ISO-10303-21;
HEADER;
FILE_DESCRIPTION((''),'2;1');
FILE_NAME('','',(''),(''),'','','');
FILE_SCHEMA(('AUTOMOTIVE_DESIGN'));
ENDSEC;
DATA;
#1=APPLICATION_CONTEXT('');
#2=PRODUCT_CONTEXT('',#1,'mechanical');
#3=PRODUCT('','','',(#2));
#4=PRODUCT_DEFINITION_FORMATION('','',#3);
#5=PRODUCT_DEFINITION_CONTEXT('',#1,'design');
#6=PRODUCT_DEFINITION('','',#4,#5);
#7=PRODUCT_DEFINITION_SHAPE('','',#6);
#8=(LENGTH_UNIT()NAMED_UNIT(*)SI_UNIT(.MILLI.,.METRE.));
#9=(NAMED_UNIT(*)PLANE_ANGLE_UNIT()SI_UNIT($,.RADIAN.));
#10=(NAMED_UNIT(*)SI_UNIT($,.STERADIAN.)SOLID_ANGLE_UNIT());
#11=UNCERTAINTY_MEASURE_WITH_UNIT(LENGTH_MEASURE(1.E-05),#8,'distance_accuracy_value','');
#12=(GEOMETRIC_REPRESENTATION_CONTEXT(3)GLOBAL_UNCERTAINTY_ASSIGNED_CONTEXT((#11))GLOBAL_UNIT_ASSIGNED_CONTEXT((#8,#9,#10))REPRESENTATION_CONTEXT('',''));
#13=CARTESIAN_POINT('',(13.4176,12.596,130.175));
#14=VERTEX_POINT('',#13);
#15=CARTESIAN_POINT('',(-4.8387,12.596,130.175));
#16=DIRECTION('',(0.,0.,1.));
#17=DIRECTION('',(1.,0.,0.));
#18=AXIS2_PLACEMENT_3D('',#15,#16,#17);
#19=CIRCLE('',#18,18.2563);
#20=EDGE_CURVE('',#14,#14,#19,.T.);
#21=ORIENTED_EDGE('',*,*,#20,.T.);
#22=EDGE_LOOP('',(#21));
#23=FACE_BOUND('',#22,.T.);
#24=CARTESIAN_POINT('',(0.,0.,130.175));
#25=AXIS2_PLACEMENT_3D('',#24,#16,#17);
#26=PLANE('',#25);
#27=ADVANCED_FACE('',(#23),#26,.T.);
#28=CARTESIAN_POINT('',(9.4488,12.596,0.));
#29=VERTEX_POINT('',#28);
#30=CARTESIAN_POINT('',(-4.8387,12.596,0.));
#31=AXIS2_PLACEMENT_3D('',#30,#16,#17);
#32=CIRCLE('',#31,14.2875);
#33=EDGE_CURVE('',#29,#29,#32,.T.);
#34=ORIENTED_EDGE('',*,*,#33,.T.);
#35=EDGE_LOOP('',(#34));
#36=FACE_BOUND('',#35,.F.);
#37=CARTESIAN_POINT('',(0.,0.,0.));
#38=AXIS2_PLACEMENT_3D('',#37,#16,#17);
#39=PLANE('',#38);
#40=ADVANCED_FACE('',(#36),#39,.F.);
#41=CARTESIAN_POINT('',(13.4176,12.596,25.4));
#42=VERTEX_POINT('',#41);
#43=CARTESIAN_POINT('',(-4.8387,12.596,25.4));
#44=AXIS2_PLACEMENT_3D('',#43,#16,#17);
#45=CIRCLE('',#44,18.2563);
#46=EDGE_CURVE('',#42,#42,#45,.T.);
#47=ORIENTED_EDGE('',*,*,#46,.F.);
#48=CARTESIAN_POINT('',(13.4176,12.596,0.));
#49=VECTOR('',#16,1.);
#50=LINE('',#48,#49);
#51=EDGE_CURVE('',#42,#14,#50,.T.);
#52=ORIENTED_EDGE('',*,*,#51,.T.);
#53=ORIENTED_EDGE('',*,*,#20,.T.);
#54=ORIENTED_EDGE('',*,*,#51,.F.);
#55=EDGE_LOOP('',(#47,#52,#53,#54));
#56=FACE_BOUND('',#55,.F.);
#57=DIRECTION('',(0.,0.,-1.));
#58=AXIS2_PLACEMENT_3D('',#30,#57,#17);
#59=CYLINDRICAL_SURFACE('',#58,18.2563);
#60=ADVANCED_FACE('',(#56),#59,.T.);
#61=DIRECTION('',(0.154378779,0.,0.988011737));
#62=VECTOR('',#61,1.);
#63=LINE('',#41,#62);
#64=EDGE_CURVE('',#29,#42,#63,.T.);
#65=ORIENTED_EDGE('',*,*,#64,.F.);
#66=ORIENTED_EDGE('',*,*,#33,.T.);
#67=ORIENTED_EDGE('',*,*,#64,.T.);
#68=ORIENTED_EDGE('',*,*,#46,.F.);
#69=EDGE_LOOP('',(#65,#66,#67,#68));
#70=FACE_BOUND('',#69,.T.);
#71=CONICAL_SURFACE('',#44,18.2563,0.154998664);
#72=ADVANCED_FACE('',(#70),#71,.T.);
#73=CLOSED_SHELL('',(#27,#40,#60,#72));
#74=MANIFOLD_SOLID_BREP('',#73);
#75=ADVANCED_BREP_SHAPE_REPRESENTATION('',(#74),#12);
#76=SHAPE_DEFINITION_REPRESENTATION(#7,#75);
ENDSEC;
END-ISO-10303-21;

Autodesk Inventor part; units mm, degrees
ref_plane "YZ Plane" through (0, 0, 0) normal (1, 0, 0) x (0, 1, 0)
ref_plane "XZ Plane" through (0, 0, 0) normal (0, 1, 0) x (-1, 0, 0)
ref_plane "XY Plane" through (0, 0, 0) normal (0, 0, 1) x (1, 0, 0)
sketch "Sketch1" plane through (0, 0, 0) normal (0, 0, 1) x (1, 0, 0)
  circle A0 centre (-4.8387, 12.596) radius 18.2563
  dimension "d0" = 36.5125
extrude "Extrusion1" add sketch "Sketch1" along normal blind 130.175
chamfer "Chamfer1" distance 3.9688 distance2 25.4 1 edges at (-23.095, 12.596, 0) measured on face at (1.1407, 16.9825, 0)
properties part number "FE-00002-01"
